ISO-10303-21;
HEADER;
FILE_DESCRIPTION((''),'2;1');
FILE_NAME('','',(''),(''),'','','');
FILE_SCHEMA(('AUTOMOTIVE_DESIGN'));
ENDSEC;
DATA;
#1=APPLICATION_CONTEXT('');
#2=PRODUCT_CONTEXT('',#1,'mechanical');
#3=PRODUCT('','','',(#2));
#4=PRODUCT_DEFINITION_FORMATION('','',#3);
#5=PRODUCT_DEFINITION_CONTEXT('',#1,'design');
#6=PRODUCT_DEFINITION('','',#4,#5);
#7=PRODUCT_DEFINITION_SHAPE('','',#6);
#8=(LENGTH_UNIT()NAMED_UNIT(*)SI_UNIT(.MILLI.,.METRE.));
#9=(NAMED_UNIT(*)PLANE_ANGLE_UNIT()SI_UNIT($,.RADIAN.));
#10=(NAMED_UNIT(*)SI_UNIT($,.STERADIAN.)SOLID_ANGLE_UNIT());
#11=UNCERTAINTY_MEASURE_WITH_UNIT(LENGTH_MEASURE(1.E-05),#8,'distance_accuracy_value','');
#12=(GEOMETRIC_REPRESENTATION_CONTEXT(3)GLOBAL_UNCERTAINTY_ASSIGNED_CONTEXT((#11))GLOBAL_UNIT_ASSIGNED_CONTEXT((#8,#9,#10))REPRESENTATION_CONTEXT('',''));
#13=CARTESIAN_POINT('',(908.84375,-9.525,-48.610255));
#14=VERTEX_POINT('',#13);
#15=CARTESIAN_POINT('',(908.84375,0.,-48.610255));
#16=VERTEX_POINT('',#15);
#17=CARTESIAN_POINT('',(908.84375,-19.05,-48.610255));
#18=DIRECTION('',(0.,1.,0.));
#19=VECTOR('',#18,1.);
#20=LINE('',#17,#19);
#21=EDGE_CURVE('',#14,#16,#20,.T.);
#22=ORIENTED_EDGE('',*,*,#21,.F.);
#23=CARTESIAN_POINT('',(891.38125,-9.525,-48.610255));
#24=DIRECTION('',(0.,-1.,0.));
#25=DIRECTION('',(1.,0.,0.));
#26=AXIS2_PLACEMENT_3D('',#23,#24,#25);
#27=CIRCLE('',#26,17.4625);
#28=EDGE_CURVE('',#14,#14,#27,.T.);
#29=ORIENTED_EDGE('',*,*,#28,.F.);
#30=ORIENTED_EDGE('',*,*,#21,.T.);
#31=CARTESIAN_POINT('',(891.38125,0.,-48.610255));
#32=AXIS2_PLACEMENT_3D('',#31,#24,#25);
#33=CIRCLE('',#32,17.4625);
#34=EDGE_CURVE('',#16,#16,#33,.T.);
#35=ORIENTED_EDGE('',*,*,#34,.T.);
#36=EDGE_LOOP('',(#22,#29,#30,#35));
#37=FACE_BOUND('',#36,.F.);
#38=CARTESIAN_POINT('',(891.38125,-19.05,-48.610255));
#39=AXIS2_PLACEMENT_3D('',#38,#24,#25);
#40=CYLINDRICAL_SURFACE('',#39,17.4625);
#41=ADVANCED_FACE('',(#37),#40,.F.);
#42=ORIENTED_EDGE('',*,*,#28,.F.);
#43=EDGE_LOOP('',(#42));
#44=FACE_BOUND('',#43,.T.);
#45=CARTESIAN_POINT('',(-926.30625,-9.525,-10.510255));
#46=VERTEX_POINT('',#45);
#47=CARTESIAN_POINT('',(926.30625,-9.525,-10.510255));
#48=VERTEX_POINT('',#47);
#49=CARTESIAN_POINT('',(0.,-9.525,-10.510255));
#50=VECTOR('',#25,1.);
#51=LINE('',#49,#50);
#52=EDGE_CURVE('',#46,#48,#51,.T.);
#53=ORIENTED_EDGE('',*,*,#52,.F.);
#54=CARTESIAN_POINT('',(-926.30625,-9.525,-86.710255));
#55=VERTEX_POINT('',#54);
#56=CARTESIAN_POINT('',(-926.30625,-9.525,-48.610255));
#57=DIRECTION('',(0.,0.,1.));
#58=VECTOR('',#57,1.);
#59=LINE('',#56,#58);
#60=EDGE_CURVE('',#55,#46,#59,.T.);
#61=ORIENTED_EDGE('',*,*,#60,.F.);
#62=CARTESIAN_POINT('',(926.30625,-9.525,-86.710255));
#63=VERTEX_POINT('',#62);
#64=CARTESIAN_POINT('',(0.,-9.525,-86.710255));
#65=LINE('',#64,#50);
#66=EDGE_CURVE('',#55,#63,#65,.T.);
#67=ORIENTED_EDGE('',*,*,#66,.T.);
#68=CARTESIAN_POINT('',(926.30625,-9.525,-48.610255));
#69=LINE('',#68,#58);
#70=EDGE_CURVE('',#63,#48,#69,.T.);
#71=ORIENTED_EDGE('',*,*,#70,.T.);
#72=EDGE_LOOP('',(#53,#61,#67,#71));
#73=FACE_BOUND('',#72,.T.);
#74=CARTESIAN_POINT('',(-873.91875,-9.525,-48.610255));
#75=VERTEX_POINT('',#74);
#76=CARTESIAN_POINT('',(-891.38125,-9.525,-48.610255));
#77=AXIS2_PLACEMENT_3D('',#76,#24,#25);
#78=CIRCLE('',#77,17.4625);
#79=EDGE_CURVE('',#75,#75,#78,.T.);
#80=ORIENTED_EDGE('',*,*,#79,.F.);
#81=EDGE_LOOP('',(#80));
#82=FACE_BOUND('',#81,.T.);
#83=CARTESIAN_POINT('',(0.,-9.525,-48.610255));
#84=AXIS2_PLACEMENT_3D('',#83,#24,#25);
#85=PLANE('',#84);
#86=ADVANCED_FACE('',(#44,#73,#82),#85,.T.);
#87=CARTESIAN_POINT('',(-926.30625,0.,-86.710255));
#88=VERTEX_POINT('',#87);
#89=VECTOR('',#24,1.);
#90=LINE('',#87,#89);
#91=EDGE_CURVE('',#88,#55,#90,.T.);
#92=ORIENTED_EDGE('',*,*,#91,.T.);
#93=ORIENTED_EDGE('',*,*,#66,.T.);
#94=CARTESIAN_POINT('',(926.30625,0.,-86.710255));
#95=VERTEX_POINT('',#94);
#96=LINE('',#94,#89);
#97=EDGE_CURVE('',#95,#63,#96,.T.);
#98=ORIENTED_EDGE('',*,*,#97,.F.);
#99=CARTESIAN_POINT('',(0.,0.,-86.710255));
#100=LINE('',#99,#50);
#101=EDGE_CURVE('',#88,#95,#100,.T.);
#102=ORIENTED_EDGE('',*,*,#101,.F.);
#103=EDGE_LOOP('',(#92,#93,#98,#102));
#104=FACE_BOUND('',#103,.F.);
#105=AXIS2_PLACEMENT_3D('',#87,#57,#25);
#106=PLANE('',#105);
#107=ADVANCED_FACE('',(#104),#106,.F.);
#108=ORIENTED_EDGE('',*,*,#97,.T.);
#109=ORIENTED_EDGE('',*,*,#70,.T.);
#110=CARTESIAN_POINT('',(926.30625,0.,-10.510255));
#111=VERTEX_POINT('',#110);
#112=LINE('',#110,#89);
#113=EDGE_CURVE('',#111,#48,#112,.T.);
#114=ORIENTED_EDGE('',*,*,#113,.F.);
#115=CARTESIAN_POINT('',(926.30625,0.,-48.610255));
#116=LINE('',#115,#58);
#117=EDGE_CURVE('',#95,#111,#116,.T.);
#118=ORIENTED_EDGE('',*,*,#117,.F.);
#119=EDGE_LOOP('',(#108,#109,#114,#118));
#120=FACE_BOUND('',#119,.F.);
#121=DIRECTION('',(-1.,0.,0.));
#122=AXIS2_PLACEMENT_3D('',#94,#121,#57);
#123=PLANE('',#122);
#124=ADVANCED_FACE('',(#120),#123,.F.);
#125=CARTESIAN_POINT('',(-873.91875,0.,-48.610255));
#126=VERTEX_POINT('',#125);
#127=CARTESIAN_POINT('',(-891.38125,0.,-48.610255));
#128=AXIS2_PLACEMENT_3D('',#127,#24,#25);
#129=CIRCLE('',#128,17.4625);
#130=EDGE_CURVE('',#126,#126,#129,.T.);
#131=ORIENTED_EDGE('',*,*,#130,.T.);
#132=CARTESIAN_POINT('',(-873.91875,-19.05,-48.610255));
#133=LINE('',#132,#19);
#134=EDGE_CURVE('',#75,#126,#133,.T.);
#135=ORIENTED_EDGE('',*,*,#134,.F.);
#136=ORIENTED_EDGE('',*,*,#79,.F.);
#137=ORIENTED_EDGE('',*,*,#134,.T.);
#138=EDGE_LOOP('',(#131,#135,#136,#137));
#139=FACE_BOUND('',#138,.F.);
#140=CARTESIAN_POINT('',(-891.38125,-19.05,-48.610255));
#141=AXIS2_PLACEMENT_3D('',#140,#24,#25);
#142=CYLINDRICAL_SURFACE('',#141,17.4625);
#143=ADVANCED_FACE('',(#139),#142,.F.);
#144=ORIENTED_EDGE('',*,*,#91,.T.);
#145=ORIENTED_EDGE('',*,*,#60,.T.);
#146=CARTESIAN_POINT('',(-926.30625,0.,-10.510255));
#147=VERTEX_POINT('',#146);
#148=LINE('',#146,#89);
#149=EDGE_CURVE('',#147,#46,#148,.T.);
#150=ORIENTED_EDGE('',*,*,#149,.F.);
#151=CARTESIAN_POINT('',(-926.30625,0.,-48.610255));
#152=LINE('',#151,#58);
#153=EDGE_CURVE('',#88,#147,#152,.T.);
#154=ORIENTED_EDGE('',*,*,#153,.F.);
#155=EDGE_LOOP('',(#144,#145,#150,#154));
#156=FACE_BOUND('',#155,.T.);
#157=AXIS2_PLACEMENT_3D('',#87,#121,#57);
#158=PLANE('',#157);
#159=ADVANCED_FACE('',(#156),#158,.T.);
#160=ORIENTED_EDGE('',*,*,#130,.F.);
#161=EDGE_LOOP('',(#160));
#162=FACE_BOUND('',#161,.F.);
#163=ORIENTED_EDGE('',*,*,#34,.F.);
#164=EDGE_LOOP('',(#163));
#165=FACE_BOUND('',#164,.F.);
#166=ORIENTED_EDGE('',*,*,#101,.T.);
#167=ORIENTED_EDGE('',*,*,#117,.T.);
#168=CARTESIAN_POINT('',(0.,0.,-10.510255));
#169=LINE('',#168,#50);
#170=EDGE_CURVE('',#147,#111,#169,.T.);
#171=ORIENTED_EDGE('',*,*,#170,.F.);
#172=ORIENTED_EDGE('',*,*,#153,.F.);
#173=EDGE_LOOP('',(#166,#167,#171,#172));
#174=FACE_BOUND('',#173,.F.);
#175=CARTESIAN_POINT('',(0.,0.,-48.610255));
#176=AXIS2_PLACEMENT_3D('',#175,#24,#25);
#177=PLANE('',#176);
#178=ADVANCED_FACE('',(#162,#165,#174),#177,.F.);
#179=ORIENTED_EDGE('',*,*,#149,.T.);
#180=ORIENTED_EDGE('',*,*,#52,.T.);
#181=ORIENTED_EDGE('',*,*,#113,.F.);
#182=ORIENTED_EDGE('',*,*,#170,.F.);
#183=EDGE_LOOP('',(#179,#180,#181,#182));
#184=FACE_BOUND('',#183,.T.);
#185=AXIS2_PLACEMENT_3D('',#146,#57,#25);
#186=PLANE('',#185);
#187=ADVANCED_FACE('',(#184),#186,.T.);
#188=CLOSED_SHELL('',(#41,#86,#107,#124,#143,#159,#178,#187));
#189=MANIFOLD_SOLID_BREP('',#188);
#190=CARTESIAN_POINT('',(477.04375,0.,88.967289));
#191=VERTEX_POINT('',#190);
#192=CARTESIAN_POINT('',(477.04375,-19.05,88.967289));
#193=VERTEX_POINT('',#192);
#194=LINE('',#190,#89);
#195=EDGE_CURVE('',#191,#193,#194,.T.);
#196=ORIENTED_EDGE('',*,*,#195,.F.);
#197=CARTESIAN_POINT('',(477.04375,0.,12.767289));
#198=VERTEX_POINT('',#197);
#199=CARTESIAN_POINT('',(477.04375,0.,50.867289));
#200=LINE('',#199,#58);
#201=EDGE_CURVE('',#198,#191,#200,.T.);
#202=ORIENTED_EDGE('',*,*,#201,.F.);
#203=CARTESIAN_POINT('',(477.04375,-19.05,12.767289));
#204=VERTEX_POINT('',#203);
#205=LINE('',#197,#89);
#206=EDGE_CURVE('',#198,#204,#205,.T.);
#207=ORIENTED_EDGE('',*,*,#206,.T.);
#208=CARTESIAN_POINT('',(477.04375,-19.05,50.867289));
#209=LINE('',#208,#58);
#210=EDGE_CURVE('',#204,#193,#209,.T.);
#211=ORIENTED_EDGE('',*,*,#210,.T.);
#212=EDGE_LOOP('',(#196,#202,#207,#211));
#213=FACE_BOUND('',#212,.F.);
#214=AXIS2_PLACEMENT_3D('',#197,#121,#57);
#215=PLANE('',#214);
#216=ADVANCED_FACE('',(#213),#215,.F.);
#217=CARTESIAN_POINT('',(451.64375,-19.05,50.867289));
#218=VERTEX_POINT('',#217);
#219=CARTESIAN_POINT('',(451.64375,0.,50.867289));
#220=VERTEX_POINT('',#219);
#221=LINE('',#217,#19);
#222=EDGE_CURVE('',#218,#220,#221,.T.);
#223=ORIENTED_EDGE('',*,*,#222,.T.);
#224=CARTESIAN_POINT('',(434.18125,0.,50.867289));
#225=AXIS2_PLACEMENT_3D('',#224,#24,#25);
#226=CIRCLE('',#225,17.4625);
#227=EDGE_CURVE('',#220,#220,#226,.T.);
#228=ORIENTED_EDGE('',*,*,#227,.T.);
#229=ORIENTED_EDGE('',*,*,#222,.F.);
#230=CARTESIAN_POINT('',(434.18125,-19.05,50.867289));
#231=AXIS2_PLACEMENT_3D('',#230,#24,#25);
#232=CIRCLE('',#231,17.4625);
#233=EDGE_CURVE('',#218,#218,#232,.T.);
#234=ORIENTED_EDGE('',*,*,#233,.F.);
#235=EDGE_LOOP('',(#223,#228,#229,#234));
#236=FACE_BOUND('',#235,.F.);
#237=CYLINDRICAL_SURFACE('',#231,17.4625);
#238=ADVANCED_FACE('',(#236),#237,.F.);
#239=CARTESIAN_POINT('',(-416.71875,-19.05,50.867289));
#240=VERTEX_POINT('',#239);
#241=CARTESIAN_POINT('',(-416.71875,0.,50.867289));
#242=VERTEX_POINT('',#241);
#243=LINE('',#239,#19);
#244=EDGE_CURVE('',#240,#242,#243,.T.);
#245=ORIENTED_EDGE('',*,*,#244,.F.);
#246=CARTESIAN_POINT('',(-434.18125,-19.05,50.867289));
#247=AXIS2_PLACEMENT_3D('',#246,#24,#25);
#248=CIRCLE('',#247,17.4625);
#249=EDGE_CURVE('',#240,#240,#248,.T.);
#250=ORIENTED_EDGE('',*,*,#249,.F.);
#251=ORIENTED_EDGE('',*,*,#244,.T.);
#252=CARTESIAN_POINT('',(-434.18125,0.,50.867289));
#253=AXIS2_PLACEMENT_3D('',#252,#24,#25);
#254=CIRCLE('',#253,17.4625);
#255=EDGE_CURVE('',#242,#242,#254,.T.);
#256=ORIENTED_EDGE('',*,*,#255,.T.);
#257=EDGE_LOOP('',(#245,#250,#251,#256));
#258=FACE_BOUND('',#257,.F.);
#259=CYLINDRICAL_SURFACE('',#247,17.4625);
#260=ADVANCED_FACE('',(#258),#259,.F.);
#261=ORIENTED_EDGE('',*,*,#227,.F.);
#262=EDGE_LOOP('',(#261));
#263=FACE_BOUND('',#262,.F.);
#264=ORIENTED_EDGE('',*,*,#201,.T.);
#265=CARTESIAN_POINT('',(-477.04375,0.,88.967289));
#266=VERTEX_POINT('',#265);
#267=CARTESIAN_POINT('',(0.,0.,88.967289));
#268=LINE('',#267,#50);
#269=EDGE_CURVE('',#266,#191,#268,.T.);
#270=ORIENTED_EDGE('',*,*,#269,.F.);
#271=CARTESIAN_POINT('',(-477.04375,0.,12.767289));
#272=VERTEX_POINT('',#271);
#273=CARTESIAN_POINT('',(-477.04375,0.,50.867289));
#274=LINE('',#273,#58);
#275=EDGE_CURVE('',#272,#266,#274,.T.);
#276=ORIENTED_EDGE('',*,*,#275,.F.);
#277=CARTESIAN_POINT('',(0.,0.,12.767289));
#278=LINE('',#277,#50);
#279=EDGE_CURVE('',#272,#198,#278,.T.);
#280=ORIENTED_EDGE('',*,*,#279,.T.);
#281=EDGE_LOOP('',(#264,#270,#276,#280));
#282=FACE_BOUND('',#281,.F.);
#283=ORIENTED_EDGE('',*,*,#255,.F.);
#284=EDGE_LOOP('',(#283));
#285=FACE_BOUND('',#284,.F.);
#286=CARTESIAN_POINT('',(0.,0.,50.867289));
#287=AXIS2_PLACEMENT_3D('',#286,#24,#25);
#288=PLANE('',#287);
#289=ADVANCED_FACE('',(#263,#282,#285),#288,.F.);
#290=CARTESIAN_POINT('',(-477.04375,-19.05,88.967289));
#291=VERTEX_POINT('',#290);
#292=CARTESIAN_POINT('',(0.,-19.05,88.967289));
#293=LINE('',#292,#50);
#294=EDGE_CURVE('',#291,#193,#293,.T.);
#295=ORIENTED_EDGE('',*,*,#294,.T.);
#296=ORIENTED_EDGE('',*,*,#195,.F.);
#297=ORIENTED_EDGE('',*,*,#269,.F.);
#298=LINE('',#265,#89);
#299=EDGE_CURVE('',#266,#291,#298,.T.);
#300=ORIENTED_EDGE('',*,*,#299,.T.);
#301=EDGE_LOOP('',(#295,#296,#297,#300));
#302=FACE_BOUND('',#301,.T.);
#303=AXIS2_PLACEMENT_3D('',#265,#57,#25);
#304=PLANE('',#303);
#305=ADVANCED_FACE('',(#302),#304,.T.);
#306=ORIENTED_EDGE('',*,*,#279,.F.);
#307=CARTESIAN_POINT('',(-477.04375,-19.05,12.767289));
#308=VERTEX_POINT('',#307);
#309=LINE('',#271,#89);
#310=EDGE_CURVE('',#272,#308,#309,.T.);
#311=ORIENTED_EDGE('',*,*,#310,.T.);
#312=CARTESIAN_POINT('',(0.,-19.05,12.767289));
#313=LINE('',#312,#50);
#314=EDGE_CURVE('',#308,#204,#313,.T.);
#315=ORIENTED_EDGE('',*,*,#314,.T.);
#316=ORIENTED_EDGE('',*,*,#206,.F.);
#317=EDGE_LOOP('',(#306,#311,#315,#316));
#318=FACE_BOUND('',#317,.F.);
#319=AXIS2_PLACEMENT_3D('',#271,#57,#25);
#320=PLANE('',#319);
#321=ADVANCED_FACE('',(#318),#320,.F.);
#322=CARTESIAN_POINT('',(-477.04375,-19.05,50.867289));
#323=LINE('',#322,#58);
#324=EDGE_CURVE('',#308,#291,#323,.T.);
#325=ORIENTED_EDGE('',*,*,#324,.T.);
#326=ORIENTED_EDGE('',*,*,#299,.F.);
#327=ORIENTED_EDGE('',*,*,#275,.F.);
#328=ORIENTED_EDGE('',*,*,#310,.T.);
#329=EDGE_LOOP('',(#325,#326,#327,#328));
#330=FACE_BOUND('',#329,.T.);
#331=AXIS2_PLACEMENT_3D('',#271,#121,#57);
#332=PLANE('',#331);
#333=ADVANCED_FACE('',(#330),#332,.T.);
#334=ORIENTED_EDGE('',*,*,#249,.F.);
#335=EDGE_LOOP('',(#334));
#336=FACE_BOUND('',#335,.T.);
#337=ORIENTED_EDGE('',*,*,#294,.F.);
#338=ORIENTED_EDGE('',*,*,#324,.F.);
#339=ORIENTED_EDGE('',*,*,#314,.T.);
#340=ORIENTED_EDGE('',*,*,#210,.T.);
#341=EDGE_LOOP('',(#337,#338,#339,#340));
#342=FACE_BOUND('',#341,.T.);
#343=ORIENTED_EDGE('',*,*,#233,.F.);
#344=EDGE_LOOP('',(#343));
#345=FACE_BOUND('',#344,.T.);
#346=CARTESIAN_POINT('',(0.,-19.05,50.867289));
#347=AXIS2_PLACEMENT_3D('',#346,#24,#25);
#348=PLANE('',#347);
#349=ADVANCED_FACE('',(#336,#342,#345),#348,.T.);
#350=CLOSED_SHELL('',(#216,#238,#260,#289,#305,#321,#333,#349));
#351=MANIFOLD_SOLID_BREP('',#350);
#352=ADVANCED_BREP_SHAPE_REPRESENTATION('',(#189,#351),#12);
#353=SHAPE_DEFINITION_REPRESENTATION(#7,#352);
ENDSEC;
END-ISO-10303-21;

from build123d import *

# Parameters (mm, degrees)
F0_W     = 954.0875
F0_H     = 76.2
F2_DEPTH = 19.05
F1_W     = 1852.6125
F1_H     = 76.2
F3_DEPTH = 9.525
F4_R     = 17.4625
F5_DEPTH = 19.051


with BuildPart() as f2:
    # F0 (on Front) → F2 (new body)
    with BuildSketch(Plane.XZ):
        with Locations((0, 50.867289)):
            Rectangle(F0_W, F0_H)
    extrude(amount=F2_DEPTH)


with BuildPart() as f3:
    # F1 (on Front) → F3 (new body)
    with BuildSketch(Plane.XZ):
        with Locations((0, -48.610255)):
            Rectangle(F1_W, F1_H)
    extrude(amount=F3_DEPTH)


with BuildPart() as f5_tool:
    # F4 (on face) → F5 (new body, through all)
    with BuildSketch(Plane.XZ.offset(19.05)):
        with Locations((-434.18125, 50.867289)):
            Circle(F4_R)
        with Locations((434.18125, 50.867289)):
            Circle(F4_R)
        with Locations((891.38125, -48.610255)):
            Circle(F4_R)
        with Locations((-891.38125, -48.610255)):
            Circle(F4_R)
    extrude(amount=-F5_DEPTH)


with BuildPart() as f2_1:
    add(f2.part)

    # F5: cut by f5_tool
    add(f5_tool.part, mode=Mode.SUBTRACT)


with BuildPart() as f3_1:
    add(f3.part)

    # F5: cut by f5_tool
    add(f5_tool.part, mode=Mode.SUBTRACT)


solid = Compound([f2_1.part, f3_1.part])
